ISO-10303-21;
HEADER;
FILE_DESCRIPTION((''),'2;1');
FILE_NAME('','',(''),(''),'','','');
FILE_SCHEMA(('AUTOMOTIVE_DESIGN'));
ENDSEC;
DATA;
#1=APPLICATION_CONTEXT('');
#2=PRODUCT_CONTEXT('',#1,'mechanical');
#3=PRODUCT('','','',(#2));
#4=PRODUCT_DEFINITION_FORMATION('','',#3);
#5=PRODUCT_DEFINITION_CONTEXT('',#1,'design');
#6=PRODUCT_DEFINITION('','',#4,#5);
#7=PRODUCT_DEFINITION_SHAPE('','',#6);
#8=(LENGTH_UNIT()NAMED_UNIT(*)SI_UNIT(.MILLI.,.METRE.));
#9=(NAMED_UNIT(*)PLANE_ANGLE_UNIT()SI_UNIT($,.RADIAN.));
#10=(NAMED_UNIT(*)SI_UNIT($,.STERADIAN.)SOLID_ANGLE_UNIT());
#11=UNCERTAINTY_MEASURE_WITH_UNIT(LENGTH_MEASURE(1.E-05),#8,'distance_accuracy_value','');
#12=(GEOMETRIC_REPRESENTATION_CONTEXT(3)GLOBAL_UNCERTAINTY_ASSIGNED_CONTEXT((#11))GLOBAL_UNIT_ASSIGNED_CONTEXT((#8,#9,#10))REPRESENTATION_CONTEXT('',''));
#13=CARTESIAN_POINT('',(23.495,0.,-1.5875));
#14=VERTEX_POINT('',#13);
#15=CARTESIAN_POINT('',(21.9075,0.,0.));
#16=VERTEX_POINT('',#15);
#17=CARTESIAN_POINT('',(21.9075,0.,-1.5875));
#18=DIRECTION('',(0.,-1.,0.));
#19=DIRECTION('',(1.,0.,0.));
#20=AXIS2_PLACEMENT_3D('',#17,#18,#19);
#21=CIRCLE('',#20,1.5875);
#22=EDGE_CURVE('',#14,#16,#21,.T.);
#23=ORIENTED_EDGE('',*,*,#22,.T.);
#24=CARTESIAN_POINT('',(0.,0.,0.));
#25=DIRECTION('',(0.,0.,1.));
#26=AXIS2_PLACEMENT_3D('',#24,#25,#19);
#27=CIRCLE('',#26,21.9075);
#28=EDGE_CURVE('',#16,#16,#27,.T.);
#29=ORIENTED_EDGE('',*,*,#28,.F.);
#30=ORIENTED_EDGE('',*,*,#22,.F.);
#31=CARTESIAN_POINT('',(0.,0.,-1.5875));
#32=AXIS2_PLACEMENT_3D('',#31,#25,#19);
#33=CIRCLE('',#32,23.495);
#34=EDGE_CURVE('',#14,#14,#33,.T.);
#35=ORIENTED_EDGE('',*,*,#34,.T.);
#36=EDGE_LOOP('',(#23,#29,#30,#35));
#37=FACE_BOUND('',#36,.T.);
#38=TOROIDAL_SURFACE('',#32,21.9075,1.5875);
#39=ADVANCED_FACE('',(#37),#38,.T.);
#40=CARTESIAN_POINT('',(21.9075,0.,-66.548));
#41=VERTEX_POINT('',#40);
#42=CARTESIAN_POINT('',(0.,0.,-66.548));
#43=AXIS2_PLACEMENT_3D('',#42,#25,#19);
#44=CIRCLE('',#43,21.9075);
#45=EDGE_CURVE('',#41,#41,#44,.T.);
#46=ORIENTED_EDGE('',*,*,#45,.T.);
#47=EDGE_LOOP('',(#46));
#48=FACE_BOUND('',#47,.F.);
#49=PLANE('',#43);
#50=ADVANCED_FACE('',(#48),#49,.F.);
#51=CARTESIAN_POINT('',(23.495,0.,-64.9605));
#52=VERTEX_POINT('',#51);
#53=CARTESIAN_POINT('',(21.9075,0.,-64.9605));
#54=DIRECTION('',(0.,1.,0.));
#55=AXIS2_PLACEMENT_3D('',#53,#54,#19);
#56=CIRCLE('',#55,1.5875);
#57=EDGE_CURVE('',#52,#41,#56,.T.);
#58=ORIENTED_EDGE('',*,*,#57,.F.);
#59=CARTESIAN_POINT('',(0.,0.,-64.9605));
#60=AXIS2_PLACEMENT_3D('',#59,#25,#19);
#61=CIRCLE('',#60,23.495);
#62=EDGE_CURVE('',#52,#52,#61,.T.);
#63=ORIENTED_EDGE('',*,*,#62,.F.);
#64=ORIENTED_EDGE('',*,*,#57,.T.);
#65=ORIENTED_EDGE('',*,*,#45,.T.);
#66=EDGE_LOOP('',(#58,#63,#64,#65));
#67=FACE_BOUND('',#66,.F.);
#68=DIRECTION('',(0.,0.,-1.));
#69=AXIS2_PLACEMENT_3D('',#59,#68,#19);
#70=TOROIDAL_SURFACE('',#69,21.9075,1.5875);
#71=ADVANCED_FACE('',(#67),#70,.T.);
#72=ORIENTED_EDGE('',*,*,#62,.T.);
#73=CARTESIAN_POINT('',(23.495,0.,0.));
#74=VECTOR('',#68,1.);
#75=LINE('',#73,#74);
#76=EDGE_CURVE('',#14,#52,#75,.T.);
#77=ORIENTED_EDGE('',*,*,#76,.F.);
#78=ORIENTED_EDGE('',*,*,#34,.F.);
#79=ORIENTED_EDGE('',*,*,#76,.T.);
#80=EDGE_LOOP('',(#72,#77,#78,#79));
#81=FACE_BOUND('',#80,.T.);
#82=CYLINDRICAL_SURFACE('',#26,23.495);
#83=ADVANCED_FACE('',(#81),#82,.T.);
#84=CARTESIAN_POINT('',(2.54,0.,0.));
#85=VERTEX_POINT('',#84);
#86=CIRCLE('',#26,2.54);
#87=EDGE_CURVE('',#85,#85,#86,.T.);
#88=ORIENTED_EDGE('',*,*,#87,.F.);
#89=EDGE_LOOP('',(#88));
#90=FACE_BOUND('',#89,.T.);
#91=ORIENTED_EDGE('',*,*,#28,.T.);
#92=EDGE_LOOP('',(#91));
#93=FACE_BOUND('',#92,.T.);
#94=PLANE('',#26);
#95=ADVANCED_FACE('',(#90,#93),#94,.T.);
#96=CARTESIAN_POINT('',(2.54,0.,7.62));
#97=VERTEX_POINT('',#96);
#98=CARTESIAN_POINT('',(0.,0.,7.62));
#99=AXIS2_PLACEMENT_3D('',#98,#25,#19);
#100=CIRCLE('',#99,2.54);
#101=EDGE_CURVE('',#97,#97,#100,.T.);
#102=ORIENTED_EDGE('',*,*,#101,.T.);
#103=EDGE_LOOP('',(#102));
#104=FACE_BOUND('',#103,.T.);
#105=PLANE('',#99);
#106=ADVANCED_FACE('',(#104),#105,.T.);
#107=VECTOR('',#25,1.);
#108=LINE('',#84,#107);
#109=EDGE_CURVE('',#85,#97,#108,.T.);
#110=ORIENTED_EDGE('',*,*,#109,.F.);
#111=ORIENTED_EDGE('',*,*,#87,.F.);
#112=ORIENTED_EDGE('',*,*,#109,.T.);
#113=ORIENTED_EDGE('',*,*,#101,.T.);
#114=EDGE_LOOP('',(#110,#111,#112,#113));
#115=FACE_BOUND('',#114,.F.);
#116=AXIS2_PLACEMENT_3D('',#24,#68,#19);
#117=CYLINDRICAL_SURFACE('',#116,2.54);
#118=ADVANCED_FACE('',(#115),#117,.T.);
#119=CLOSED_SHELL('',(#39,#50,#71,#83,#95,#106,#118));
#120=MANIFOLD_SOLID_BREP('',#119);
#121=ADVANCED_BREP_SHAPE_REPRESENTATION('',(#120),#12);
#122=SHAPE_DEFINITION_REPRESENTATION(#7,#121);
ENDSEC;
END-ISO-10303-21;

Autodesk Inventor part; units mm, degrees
ref_plane "YZ Plane" through (0, 0, 0) normal (1, 0, 0) x (0, 1, 0)
ref_plane "XZ Plane" through (0, 0, 0) normal (0, 1, 0) x (-1, 0, 0)
ref_plane "XY Plane" through (0, 0, 0) normal (0, 0, 1) x (1, 0, 0)
sketch "Sketch1" plane through (0, 0, 0) normal (0, 0, 1) x (1, 0, 0)
  circle A0 centre (0, 0) radius 23.495
  circle A1 centre (0, 0) radius 2.54
  dimension "d0" = 46.99
  dimension "d3" = 5.08
extrude "Extrusion1" add sketch "Sketch1" against normal blind 66.548 contours A0 | A1
extrude "Extrusion2" add sketch "Sketch1" along normal blind 7.62 contours A1
fillet "Fillet1" radius 1.5875 1 edges at (-23.495, 0, 0)
fillet "Fillet2" radius 1.5875 1 edges at (-23.495, 0, -66.548)
properties part number "proxy 775 motor"
